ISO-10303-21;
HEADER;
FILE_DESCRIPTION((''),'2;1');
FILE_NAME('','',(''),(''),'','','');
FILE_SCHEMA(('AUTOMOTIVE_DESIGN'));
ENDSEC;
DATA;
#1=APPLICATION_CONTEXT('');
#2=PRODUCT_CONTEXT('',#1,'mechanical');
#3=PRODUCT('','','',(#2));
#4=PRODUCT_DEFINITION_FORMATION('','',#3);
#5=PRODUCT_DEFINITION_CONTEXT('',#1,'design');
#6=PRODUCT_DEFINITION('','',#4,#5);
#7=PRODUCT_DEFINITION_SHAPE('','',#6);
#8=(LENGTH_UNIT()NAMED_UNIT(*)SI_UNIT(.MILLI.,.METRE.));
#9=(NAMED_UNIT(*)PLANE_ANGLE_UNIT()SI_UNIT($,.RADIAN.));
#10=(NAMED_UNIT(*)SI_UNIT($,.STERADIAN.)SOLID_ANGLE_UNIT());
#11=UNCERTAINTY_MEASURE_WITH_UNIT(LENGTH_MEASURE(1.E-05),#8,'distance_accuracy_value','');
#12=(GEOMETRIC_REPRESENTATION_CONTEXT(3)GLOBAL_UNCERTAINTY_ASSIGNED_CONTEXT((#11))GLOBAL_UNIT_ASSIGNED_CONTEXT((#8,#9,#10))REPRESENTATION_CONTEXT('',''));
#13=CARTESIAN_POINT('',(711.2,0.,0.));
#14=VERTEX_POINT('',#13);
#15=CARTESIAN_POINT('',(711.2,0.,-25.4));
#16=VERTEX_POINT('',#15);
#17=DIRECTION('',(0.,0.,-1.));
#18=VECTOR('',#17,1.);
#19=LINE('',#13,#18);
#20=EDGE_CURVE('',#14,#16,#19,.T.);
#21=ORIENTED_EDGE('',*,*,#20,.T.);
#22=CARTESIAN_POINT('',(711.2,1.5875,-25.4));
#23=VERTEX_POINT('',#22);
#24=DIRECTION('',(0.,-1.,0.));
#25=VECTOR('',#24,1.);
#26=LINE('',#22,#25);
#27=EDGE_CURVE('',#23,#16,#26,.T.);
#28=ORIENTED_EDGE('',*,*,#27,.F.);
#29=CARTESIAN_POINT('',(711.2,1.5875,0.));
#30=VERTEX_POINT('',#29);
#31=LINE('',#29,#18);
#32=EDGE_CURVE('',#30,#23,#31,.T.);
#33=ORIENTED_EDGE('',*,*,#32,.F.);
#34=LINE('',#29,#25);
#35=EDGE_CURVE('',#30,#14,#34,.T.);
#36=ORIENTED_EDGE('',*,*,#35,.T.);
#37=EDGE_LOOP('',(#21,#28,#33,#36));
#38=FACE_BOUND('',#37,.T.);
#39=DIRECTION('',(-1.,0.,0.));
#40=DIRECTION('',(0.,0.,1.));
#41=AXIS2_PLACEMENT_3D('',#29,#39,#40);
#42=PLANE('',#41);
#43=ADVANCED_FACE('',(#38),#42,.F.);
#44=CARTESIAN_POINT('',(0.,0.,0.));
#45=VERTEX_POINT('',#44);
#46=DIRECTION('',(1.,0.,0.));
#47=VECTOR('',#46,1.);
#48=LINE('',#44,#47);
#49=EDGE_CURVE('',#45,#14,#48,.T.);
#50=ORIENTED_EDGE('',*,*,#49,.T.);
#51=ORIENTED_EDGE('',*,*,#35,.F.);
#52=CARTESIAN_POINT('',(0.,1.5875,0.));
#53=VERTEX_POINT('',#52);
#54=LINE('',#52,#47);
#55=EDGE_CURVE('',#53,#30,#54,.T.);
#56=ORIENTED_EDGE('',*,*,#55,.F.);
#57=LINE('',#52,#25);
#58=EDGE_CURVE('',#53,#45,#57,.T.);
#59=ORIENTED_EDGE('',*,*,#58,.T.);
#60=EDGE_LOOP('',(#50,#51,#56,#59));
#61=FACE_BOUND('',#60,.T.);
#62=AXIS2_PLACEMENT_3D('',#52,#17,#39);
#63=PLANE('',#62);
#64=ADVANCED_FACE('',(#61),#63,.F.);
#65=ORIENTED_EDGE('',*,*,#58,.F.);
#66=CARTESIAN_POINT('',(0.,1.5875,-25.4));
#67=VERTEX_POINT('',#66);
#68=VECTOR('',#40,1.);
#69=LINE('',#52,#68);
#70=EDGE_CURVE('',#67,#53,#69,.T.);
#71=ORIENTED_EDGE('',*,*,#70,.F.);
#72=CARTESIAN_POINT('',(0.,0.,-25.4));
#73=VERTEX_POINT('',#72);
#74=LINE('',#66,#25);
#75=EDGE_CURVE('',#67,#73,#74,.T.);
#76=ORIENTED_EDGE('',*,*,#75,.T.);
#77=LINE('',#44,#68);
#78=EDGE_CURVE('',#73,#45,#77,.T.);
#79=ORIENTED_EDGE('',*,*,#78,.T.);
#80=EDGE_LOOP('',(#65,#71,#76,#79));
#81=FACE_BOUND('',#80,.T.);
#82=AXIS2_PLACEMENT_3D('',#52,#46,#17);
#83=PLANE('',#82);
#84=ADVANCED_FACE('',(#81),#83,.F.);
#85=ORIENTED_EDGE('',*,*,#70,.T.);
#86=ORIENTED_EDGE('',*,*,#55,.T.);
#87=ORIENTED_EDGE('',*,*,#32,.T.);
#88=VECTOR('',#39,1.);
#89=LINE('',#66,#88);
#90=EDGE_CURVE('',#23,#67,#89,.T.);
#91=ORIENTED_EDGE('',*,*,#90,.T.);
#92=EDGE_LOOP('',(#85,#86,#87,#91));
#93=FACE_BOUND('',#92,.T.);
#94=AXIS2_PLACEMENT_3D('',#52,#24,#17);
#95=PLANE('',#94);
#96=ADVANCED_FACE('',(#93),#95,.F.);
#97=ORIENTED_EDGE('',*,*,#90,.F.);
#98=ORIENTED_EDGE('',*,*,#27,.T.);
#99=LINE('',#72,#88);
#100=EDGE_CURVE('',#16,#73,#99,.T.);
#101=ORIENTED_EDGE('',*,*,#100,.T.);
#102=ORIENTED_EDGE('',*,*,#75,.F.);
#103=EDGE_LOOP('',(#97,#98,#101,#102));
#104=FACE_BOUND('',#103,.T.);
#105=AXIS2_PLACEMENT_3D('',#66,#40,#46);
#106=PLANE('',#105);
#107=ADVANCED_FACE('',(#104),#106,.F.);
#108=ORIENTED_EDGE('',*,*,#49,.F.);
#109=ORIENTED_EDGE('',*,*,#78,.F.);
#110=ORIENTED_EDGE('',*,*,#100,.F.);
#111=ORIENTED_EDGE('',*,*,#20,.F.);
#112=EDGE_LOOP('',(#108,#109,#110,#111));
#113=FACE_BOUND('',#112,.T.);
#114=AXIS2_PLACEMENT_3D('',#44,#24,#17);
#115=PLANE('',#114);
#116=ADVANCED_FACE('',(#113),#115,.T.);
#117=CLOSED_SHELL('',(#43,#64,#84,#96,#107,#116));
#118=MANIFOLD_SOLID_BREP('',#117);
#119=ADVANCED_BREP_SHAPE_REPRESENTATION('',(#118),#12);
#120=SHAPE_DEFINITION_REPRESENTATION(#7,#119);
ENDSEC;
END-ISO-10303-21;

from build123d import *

# Parameters (mm, degrees)
SKETCH1_W           = 711.2
SKETCH1_H           = 25.4
BOSS_EXTRUDE1_DEPTH = 1.5875


with BuildPart() as part:
    # Sketch1 → Boss-Extrude1 (new body)
    with BuildSketch(Plane(origin=(0, 0, 0), x_dir=(1, 0, 0), z_dir=(0, 1, 0))):
        with Locations((355.6, 12.7)):
            Rectangle(SKETCH1_W, SKETCH1_H)
    extrude(amount=BOSS_EXTRUDE1_DEPTH)


solid = part.part
